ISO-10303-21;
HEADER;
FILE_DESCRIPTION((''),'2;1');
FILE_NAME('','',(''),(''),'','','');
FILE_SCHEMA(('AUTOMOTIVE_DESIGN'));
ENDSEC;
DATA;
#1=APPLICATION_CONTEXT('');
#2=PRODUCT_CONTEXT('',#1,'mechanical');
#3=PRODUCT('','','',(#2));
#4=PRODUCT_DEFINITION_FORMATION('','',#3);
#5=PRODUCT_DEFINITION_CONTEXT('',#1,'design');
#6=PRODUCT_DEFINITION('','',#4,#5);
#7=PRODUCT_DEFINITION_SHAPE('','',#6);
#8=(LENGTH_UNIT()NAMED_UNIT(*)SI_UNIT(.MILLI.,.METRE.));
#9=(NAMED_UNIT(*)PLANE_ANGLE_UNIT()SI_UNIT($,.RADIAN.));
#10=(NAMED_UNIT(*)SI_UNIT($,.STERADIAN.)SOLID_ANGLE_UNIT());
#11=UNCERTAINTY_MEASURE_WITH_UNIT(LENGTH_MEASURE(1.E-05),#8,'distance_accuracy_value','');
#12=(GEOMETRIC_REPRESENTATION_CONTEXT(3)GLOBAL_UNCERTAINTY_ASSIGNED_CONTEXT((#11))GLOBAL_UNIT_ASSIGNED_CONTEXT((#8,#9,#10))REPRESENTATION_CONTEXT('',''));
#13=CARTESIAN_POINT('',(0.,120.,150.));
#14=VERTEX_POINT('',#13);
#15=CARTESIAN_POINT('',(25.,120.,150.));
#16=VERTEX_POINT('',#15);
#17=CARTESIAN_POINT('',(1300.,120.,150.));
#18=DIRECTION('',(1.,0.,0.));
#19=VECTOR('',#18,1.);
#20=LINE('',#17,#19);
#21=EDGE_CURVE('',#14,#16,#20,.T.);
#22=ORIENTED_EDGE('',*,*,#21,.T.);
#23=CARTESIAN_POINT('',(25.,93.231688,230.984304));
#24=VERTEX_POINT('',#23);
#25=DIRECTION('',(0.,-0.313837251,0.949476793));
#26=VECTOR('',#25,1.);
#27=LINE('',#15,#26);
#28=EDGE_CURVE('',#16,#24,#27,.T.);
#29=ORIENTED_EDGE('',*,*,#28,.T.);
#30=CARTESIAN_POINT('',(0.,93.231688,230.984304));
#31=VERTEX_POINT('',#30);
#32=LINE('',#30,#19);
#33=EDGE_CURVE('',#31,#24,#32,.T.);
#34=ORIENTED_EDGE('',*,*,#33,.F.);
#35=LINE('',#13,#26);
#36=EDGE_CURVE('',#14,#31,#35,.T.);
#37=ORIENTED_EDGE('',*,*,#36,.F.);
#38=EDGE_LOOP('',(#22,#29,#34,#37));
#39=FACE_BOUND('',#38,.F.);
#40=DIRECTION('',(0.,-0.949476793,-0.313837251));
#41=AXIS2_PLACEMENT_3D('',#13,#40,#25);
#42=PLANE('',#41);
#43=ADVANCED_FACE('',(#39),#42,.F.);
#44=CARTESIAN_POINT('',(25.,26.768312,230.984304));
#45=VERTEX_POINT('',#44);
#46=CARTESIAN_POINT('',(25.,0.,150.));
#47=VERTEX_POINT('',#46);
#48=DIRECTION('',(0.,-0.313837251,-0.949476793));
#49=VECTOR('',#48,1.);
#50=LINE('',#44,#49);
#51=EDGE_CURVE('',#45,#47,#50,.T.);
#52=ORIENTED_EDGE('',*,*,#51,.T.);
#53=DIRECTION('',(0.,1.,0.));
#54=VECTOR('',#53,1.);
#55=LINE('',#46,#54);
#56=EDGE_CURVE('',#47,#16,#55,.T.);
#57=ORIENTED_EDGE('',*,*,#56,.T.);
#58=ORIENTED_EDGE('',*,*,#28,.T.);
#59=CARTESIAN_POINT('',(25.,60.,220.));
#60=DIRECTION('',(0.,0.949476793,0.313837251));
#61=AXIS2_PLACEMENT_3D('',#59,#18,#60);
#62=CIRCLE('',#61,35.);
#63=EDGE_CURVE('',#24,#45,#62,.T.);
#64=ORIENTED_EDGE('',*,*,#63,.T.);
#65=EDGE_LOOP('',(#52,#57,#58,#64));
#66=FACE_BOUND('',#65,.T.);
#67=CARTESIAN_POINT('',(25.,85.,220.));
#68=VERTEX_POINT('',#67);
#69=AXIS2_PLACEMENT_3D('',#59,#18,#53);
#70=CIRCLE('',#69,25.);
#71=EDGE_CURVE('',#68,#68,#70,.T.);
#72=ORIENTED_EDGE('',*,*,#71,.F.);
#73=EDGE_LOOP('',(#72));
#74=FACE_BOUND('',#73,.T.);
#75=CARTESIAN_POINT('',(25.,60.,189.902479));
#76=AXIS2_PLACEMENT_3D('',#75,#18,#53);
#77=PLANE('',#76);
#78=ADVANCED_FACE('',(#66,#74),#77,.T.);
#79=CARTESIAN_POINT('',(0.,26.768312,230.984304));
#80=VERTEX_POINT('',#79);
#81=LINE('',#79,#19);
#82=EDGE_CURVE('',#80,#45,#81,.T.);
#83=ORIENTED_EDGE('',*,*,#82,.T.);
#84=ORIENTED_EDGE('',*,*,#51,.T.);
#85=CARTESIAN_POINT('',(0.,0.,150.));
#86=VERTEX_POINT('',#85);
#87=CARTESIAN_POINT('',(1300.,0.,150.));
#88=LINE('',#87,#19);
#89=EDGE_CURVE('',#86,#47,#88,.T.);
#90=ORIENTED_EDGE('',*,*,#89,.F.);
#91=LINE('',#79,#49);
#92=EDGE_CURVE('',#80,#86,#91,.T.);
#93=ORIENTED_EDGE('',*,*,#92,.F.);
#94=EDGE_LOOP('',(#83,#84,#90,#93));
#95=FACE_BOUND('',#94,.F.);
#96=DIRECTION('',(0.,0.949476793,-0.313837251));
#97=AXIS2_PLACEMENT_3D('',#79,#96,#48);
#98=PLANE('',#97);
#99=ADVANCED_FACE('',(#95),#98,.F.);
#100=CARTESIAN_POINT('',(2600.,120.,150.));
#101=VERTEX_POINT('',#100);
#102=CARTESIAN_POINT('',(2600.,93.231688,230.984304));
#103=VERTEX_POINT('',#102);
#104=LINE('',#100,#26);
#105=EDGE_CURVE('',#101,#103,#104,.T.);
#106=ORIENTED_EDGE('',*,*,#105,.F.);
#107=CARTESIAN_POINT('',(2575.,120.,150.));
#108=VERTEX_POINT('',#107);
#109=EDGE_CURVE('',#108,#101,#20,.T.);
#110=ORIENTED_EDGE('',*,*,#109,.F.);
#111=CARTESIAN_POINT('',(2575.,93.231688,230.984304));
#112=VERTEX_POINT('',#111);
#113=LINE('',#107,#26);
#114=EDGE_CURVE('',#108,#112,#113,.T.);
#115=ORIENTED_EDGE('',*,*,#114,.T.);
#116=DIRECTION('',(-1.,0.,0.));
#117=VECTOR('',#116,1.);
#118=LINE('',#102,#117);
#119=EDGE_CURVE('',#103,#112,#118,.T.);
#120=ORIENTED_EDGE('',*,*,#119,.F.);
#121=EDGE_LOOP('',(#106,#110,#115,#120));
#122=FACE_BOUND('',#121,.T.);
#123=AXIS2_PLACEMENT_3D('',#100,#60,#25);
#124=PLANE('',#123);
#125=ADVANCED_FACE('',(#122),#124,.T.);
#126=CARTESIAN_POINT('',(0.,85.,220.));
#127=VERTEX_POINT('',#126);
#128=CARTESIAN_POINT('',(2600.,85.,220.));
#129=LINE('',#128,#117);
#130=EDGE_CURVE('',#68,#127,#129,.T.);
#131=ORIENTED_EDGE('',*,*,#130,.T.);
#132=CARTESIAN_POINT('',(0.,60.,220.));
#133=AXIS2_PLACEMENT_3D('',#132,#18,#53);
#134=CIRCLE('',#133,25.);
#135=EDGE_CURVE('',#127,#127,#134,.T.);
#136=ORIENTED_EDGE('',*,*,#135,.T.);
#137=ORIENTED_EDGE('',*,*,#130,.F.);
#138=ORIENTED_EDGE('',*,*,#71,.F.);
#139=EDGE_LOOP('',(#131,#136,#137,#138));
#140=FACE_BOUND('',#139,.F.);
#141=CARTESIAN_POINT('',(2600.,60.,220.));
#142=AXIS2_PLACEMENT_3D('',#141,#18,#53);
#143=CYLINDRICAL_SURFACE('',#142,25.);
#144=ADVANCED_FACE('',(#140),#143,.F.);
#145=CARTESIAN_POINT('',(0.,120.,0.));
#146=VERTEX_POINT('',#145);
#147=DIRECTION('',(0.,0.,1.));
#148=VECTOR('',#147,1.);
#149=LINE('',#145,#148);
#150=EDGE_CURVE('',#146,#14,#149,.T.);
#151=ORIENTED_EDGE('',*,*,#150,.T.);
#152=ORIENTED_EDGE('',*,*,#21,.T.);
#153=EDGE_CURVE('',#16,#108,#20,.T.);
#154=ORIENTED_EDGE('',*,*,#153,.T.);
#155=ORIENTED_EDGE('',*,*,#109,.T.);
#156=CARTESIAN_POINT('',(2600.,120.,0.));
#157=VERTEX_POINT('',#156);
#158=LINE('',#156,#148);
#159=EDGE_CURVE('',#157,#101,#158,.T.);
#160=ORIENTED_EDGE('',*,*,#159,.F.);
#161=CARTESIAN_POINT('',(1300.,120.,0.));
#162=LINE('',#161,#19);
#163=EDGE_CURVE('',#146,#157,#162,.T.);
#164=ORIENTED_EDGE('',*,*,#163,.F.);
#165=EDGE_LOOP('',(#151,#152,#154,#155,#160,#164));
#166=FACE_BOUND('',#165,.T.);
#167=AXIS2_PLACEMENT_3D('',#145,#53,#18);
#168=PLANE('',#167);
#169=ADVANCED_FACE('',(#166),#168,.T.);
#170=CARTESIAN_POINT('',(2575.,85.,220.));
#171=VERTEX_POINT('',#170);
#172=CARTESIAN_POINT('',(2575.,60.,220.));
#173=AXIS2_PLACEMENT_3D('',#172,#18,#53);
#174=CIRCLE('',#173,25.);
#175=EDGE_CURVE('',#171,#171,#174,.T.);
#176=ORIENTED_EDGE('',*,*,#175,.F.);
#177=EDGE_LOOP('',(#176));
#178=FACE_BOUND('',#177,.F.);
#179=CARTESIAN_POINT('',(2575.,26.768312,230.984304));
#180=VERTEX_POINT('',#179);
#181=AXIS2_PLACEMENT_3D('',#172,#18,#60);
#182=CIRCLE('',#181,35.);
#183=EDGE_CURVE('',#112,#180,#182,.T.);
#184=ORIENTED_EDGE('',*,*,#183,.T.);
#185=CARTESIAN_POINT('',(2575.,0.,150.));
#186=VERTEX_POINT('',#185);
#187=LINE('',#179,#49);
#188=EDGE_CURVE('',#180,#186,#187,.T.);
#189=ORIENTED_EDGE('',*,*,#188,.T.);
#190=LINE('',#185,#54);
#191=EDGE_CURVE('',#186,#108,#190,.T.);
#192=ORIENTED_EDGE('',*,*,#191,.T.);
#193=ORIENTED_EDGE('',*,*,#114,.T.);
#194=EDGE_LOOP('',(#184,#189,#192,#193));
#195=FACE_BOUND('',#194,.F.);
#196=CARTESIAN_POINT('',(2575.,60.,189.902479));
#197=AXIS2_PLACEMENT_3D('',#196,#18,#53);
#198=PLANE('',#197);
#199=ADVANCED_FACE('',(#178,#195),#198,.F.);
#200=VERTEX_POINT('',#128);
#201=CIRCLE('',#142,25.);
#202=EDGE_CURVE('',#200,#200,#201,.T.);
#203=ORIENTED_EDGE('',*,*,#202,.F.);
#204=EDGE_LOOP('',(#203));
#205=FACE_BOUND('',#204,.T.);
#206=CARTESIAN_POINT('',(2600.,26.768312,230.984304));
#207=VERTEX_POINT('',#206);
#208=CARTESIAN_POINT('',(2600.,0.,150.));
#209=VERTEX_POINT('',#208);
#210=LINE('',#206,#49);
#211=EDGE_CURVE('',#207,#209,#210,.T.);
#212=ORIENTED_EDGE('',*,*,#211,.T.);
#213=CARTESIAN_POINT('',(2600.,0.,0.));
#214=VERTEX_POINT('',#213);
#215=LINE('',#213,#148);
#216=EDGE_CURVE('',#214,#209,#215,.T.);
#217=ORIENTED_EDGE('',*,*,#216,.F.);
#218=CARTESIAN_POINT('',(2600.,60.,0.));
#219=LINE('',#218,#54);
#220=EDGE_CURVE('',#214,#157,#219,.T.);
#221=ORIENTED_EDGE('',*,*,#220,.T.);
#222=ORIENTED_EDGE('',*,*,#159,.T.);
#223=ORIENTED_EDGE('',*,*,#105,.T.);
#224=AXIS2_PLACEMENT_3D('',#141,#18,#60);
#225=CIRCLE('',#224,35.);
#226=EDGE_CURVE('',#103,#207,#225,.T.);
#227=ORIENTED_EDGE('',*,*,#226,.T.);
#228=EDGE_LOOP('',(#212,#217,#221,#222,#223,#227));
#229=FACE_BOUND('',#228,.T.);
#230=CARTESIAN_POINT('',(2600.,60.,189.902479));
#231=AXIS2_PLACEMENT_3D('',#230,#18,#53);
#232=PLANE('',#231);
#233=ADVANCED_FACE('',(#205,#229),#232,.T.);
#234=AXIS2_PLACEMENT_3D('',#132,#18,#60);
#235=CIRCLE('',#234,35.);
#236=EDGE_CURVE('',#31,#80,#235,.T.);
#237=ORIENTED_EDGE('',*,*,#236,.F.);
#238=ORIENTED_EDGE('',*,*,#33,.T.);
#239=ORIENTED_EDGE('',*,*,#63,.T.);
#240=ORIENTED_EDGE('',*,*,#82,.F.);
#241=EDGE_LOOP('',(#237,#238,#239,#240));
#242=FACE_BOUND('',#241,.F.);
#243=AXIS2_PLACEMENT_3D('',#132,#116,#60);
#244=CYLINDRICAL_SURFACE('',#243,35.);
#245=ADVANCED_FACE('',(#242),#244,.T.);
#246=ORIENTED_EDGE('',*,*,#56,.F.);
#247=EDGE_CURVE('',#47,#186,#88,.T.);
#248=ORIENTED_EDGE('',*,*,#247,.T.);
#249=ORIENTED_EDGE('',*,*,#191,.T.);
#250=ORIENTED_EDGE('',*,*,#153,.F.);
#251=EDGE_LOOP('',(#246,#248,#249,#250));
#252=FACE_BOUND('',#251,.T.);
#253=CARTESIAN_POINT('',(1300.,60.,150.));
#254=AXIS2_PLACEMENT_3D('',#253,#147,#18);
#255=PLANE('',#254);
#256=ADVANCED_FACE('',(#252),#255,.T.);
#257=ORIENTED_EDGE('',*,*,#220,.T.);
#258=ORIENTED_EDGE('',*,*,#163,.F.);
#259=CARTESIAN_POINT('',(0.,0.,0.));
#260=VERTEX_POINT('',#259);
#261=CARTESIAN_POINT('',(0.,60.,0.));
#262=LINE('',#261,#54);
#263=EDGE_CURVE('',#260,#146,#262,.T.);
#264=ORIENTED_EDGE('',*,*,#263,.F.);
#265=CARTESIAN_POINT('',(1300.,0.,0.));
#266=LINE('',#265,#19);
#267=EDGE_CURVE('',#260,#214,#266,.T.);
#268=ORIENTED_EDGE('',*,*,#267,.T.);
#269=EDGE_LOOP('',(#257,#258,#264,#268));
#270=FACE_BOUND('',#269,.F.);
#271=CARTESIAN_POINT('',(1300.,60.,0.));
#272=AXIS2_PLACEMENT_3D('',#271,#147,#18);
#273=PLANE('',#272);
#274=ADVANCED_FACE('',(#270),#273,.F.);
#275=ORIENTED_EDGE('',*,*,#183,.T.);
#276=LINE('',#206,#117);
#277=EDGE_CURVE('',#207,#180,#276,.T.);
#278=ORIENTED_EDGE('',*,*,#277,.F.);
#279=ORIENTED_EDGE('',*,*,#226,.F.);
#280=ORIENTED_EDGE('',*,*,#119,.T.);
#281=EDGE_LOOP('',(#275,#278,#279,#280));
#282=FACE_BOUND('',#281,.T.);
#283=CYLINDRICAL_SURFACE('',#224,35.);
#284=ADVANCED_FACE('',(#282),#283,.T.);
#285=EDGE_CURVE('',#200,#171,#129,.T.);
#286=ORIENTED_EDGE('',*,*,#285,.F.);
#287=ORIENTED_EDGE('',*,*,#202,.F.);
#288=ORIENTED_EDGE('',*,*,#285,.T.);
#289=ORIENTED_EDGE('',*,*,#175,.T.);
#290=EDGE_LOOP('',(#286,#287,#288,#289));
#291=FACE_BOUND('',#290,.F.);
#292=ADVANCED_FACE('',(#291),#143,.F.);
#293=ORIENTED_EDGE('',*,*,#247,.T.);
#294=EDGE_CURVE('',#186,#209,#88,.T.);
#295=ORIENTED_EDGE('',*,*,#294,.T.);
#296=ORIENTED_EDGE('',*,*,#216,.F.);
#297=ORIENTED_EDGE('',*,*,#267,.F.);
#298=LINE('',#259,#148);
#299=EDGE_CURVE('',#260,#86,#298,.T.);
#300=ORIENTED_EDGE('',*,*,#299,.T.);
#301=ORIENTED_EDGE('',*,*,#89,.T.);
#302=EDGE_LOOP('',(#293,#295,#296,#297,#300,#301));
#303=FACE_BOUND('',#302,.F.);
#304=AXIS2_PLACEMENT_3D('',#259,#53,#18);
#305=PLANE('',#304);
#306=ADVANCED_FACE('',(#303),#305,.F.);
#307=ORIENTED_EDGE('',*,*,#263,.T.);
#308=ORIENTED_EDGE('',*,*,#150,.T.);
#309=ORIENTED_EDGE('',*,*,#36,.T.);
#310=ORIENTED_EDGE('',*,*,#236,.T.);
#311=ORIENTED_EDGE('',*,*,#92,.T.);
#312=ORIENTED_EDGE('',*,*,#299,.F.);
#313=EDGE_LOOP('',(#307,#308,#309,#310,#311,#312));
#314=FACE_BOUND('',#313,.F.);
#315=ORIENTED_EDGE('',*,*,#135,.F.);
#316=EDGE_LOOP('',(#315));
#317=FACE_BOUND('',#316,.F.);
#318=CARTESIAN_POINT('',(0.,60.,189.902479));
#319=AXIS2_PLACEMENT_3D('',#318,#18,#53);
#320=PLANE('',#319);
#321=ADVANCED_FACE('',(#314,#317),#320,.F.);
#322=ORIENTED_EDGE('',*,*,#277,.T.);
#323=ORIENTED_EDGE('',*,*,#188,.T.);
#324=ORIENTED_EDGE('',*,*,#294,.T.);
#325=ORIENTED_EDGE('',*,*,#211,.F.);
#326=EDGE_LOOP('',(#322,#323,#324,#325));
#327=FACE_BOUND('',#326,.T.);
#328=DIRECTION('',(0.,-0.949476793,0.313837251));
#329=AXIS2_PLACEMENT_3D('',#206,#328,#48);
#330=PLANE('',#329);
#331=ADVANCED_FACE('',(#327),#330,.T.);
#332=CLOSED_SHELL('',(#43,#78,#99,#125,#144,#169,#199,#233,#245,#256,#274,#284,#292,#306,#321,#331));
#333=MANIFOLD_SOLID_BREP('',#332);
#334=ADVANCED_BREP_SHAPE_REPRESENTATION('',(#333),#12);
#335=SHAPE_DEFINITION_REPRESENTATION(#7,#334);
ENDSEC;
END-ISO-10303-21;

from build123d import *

# Parameters (mm, degrees)
F0_W     = 2600
F0_H     = 120
F1_DEPTH = 150
F3_DEPTH = 25
F5_DEPTH = 25
F7_R     = 25
F8_DEPTH = 3000


with BuildPart() as f1:
    # F0 (on Top) → F1 (new body)
    with BuildSketch(Plane.XY):
        with Locations((1300, 60)):
            Rectangle(F0_W, F0_H)
    extrude(amount=F1_DEPTH)

    # F2 (on Right) → F3 (join)
    with BuildSketch(Plane.YZ):
        with BuildLine():
            Line((26.7683122543, 230.984303782), (0, 150))
            Line((0, 150), (120, 150))
            Line((120, 150), (93.2316877457, 230.984303782))
            ThreePointArc((93.2316877457, 230.984303782), (60, 255), (26.7683122543, 230.984303782))
        make_face()
    extrude(amount=F3_DEPTH)


with BuildPart() as f5:
    # F4 (on face) → F5 (new body)
    with BuildSketch(Plane.YZ.offset(2600)):
        with BuildLine():
            Line((26.7683122543, 230.984303782), (0, 150))
            Line((0, 150), (120, 150))
            Line((120, 150), (93.2316877457, 230.984303782))
            ThreePointArc((93.2316877457, 230.984303782), (60, 255), (26.7683122543, 230.984303782))
        make_face()
    extrude(amount=-F5_DEPTH)


with BuildPart() as f1_1:
    add(f1.part)

    # F6: union F5
    add(f5.part)

    # F7 (on face) → F8 (cut)
    with BuildSketch(Plane.YZ.offset(2600)):
        with Locations((60, 220)):
            Circle(F7_R)
    extrude(amount=-F8_DEPTH, mode=Mode.SUBTRACT)


solid = f1_1.part
